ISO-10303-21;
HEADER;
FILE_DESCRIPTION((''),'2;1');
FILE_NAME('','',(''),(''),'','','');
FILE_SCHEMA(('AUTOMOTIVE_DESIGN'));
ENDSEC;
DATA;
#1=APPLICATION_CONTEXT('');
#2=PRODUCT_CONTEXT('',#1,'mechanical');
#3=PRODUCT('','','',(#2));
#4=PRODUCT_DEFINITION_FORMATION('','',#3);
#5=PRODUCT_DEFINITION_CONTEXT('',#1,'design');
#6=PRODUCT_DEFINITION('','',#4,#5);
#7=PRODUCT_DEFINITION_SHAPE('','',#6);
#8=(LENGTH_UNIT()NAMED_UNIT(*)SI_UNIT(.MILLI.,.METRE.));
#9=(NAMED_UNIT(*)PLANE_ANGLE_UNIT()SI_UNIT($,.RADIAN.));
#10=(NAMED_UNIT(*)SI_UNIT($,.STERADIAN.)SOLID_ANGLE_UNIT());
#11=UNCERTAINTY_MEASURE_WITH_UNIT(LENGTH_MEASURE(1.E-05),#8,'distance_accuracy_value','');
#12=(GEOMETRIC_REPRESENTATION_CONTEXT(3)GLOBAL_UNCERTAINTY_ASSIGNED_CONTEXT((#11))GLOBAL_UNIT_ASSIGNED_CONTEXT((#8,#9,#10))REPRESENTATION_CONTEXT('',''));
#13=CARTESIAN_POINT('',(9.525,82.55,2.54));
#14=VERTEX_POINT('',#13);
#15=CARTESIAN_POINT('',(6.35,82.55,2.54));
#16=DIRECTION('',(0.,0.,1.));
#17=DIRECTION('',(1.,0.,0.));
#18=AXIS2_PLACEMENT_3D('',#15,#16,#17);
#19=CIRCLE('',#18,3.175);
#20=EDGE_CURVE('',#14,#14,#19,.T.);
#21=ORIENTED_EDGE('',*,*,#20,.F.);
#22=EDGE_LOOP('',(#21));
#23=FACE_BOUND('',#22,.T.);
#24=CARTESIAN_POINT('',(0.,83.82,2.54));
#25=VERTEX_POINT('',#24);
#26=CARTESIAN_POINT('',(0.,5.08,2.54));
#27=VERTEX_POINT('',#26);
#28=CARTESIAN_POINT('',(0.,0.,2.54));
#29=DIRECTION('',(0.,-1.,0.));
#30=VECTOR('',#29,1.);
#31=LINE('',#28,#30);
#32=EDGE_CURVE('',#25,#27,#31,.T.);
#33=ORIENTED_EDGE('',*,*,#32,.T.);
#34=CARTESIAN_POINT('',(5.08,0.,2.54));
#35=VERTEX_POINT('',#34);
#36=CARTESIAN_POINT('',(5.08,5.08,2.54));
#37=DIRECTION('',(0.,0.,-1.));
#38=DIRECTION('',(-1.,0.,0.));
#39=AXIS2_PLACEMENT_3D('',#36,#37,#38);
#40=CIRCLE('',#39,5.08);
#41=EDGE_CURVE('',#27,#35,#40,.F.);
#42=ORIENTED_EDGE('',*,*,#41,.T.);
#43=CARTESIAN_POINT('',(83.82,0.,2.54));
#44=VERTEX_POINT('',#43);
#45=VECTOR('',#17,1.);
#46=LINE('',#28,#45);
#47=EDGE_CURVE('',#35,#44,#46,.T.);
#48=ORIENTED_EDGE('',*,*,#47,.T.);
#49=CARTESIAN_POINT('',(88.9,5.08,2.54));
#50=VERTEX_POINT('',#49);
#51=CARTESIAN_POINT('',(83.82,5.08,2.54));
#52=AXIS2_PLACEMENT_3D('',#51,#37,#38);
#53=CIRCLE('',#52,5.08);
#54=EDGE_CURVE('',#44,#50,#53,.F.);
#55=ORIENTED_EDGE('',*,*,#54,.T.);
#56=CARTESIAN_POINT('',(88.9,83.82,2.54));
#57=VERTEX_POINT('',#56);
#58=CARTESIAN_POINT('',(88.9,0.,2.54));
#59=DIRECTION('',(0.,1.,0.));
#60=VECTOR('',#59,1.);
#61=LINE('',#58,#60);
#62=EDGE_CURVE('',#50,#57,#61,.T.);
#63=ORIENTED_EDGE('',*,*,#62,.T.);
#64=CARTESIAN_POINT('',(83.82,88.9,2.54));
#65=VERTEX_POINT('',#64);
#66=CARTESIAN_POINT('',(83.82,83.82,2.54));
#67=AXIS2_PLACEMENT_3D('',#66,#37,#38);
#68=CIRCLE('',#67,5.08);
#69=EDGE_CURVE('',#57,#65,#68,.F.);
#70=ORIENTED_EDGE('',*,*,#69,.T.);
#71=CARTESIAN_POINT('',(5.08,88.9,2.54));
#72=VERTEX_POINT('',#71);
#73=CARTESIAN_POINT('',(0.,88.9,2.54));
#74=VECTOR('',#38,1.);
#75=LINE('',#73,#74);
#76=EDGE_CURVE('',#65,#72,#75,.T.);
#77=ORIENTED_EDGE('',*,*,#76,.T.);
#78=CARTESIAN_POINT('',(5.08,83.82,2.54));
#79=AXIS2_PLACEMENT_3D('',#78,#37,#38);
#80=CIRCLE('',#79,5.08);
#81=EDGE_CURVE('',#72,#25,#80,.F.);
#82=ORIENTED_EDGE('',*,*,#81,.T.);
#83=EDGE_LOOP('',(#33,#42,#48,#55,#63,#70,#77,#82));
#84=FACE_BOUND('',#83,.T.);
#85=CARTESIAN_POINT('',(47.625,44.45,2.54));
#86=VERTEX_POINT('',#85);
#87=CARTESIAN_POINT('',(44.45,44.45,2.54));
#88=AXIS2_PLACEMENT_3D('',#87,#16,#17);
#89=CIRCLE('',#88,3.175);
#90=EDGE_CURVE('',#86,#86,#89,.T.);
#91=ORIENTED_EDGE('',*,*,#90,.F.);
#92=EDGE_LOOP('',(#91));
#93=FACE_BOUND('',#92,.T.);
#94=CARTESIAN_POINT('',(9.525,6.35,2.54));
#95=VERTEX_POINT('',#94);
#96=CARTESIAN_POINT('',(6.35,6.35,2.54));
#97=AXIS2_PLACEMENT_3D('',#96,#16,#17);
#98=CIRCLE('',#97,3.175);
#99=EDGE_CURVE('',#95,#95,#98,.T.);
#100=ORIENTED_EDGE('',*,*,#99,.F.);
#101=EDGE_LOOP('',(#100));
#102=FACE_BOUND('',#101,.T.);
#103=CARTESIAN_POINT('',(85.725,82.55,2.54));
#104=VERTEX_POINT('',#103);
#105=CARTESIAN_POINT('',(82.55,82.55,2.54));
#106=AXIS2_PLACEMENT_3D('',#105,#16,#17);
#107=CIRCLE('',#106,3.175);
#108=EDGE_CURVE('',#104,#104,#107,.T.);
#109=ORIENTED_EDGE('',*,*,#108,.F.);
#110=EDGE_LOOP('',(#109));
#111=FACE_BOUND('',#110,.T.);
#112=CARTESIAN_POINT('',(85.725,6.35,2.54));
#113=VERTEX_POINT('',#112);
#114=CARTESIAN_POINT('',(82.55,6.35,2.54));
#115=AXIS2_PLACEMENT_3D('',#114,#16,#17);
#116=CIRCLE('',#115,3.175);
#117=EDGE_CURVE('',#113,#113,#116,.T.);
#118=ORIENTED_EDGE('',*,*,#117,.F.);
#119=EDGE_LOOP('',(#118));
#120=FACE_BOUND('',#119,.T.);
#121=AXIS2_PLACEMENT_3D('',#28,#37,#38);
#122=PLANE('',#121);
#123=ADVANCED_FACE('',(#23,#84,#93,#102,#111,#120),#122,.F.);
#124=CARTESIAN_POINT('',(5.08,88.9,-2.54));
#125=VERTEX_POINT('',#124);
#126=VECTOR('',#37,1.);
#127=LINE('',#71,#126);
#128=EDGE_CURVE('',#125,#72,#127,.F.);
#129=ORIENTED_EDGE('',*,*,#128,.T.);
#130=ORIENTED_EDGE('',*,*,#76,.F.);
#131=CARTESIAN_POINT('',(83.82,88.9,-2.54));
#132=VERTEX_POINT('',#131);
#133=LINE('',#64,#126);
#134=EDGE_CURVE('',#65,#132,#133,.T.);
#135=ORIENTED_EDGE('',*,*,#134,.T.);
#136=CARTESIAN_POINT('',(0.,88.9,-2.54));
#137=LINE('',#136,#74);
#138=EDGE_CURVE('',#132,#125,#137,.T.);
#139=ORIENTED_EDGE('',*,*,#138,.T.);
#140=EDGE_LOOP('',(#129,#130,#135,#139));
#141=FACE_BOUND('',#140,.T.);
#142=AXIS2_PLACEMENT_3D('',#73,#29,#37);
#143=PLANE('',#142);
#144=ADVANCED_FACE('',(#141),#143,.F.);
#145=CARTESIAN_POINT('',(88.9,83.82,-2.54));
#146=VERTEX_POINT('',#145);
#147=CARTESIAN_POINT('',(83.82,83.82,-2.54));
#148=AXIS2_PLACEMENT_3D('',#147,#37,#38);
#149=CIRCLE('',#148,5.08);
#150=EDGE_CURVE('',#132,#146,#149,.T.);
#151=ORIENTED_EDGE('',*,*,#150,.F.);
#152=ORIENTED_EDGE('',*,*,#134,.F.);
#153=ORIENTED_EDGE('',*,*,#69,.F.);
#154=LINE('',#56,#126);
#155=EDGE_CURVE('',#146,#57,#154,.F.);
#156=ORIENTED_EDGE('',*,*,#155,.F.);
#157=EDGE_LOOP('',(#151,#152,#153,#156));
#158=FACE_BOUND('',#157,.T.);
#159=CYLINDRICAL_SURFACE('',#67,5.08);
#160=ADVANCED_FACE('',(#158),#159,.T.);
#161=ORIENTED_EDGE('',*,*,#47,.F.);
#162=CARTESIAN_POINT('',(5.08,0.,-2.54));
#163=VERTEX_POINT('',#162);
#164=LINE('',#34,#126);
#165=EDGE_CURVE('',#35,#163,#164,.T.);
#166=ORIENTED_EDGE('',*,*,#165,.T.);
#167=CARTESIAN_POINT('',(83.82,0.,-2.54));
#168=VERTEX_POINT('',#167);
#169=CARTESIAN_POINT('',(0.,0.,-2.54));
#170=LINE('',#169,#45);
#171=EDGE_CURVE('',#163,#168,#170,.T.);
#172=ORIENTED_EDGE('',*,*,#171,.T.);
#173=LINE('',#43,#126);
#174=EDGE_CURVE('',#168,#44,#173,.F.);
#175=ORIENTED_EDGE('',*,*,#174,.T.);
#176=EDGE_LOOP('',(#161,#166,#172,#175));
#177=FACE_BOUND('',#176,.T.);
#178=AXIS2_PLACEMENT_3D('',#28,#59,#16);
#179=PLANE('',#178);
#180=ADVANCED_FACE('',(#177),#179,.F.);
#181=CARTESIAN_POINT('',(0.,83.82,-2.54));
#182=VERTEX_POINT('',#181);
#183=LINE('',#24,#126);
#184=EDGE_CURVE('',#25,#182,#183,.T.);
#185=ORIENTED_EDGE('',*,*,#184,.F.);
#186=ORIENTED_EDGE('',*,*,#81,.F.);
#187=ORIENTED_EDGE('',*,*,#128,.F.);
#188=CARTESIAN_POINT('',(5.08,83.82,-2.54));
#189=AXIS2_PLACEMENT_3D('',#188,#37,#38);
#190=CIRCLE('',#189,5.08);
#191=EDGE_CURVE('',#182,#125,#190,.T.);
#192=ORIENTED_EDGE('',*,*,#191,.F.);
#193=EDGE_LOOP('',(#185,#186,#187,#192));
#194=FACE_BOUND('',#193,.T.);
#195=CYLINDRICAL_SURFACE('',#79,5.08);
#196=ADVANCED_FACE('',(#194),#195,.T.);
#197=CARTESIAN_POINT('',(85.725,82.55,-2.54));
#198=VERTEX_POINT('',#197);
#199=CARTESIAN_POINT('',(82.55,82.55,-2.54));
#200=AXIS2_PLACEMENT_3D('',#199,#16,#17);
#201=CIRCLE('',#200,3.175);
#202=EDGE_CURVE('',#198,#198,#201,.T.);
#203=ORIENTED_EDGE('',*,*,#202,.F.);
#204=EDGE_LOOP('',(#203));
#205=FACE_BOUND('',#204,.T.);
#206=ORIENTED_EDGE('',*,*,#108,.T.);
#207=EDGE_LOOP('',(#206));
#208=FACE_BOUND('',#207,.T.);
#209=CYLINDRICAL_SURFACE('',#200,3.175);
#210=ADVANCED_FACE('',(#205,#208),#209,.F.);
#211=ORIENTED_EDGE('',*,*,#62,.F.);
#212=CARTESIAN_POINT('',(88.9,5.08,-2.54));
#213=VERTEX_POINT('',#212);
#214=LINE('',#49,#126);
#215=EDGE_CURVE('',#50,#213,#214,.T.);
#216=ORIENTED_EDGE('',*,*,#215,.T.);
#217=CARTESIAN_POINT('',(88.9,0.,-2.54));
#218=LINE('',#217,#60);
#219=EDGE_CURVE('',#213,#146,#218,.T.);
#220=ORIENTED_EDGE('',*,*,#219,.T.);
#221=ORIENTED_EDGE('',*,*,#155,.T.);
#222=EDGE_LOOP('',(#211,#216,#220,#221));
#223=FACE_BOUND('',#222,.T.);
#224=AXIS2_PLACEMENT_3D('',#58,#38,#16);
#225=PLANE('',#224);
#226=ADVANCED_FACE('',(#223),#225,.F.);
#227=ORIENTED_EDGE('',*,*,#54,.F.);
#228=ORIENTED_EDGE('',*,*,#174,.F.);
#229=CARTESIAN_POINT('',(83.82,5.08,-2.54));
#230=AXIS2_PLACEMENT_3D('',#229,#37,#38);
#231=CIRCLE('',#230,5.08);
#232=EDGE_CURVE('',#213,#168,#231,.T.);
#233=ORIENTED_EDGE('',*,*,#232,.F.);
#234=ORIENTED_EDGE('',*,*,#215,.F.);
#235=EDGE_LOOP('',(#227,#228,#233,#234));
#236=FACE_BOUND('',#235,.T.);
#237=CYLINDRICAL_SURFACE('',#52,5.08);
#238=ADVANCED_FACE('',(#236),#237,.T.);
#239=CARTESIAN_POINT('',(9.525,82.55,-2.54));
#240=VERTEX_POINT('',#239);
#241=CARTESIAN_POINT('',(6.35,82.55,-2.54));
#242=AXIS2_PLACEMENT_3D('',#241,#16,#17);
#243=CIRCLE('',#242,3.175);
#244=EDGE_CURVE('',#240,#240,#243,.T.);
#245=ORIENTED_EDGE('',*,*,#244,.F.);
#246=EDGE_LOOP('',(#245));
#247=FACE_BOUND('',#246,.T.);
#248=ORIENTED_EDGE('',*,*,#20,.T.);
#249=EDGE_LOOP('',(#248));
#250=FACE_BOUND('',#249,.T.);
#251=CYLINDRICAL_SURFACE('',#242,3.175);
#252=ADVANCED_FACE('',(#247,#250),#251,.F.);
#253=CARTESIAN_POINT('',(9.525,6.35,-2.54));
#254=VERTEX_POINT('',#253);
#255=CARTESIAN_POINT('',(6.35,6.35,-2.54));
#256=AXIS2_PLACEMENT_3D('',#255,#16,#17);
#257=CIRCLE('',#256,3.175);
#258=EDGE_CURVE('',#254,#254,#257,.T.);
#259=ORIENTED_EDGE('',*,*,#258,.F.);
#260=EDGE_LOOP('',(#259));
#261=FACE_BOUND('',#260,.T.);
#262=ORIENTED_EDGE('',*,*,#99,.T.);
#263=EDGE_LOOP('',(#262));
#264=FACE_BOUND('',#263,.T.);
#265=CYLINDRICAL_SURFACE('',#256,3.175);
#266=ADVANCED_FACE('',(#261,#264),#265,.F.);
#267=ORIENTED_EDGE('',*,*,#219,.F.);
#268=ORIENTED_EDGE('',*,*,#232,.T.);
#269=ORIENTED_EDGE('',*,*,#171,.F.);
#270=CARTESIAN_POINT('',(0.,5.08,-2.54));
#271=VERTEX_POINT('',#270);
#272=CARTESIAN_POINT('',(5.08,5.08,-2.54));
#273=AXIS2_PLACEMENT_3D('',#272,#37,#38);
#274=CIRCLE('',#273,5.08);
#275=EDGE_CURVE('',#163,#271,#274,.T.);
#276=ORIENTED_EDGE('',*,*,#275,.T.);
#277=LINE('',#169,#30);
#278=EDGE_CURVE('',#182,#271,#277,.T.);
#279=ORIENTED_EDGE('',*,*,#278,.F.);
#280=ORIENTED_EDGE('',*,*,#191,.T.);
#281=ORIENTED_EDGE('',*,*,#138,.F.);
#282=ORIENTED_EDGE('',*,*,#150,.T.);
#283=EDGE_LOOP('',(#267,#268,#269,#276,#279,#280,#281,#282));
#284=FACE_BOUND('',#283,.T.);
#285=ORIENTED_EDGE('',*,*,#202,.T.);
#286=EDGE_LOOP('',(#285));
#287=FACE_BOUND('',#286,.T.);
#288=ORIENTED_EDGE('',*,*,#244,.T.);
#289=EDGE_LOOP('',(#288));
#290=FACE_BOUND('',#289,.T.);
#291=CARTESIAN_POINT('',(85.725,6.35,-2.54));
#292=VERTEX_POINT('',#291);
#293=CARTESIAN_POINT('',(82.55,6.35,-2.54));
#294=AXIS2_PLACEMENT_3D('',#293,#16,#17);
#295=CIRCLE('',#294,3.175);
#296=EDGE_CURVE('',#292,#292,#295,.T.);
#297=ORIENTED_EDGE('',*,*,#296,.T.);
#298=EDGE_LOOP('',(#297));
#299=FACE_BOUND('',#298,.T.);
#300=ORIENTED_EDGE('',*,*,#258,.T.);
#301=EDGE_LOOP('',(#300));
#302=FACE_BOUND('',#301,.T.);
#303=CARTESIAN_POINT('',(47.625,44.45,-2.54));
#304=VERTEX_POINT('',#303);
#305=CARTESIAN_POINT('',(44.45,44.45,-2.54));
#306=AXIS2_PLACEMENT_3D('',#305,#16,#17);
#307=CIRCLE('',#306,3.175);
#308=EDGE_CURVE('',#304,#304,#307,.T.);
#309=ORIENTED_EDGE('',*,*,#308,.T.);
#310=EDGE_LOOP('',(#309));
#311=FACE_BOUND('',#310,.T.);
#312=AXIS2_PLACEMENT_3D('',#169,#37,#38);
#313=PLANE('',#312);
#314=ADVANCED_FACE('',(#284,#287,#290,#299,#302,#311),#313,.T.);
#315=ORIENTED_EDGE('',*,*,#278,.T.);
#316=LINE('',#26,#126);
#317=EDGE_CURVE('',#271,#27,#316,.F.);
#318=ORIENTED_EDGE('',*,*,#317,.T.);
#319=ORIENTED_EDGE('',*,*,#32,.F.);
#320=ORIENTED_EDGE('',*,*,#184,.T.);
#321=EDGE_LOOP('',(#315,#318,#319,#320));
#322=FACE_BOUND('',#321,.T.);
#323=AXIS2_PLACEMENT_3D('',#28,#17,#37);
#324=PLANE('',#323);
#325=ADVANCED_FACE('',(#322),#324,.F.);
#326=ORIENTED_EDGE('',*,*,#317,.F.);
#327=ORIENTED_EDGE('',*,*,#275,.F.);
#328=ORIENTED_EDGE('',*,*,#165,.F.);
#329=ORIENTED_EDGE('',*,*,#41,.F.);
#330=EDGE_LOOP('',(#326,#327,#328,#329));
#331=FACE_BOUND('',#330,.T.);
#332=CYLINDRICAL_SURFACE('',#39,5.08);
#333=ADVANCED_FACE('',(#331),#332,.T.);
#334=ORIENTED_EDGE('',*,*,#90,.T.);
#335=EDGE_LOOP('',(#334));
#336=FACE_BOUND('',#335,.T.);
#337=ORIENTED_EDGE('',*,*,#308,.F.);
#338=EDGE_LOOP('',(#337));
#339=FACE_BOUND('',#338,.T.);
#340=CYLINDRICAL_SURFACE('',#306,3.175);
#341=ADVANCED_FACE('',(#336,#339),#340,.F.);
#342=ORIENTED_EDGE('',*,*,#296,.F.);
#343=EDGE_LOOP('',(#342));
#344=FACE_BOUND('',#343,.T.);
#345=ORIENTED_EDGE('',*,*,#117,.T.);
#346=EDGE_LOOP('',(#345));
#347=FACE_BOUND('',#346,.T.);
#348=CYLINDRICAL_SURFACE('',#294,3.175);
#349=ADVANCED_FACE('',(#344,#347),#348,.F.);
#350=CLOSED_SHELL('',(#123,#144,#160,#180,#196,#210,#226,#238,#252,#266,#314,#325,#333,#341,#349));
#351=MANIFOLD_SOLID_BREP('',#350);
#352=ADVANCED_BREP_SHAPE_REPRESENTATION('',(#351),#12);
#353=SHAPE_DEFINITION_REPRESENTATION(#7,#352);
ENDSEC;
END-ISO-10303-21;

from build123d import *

# Parameters (mm, degrees)
SKETCH1_W           = 88.9
SKETCH1_H           = 88.9
BOSS_EXTRUDE1_DEPTH = 2.54
SKETCH2_R           = 3.175
CUT_EXTRUDE1_DEPTH  = 6.08
FILLET1_R           = 5.08


with BuildPart() as part:
    # Sketch1 → Boss-Extrude1 (new body, symmetric)
    with BuildSketch(Plane.XY):
        with Locations((44.45, 44.45)):
            Rectangle(SKETCH1_W, SKETCH1_H)
    extrude(amount=BOSS_EXTRUDE1_DEPTH, both=True)

    # Sketch2 → Cut-Extrude1 (cut, through all)
    with BuildSketch(Plane.XY.offset(2.54)):
        with Locations((6.35, 82.55)):
            Circle(SKETCH2_R)
        with Locations((82.55, 82.55)):
            Circle(SKETCH2_R)
        with Locations((82.55, 6.35)):
            Circle(SKETCH2_R)
        with Locations((6.35, 6.35)):
            Circle(SKETCH2_R)
        with Locations((44.45, 44.45)):
            Circle(SKETCH2_R)
    extrude(amount=-CUT_EXTRUDE1_DEPTH, mode=Mode.SUBTRACT)

    # Fillet1
    fillet1_edges = [part.edges().sort_by_distance(p)[0] for p in [
        (0, 88.9, 0),
        (88.9, 88.9, 0),
        (88.9, 0, 0),
        (0, 0, 0),
    ]]
    fillet(fillet1_edges, radius=FILLET1_R)


solid = part.part
